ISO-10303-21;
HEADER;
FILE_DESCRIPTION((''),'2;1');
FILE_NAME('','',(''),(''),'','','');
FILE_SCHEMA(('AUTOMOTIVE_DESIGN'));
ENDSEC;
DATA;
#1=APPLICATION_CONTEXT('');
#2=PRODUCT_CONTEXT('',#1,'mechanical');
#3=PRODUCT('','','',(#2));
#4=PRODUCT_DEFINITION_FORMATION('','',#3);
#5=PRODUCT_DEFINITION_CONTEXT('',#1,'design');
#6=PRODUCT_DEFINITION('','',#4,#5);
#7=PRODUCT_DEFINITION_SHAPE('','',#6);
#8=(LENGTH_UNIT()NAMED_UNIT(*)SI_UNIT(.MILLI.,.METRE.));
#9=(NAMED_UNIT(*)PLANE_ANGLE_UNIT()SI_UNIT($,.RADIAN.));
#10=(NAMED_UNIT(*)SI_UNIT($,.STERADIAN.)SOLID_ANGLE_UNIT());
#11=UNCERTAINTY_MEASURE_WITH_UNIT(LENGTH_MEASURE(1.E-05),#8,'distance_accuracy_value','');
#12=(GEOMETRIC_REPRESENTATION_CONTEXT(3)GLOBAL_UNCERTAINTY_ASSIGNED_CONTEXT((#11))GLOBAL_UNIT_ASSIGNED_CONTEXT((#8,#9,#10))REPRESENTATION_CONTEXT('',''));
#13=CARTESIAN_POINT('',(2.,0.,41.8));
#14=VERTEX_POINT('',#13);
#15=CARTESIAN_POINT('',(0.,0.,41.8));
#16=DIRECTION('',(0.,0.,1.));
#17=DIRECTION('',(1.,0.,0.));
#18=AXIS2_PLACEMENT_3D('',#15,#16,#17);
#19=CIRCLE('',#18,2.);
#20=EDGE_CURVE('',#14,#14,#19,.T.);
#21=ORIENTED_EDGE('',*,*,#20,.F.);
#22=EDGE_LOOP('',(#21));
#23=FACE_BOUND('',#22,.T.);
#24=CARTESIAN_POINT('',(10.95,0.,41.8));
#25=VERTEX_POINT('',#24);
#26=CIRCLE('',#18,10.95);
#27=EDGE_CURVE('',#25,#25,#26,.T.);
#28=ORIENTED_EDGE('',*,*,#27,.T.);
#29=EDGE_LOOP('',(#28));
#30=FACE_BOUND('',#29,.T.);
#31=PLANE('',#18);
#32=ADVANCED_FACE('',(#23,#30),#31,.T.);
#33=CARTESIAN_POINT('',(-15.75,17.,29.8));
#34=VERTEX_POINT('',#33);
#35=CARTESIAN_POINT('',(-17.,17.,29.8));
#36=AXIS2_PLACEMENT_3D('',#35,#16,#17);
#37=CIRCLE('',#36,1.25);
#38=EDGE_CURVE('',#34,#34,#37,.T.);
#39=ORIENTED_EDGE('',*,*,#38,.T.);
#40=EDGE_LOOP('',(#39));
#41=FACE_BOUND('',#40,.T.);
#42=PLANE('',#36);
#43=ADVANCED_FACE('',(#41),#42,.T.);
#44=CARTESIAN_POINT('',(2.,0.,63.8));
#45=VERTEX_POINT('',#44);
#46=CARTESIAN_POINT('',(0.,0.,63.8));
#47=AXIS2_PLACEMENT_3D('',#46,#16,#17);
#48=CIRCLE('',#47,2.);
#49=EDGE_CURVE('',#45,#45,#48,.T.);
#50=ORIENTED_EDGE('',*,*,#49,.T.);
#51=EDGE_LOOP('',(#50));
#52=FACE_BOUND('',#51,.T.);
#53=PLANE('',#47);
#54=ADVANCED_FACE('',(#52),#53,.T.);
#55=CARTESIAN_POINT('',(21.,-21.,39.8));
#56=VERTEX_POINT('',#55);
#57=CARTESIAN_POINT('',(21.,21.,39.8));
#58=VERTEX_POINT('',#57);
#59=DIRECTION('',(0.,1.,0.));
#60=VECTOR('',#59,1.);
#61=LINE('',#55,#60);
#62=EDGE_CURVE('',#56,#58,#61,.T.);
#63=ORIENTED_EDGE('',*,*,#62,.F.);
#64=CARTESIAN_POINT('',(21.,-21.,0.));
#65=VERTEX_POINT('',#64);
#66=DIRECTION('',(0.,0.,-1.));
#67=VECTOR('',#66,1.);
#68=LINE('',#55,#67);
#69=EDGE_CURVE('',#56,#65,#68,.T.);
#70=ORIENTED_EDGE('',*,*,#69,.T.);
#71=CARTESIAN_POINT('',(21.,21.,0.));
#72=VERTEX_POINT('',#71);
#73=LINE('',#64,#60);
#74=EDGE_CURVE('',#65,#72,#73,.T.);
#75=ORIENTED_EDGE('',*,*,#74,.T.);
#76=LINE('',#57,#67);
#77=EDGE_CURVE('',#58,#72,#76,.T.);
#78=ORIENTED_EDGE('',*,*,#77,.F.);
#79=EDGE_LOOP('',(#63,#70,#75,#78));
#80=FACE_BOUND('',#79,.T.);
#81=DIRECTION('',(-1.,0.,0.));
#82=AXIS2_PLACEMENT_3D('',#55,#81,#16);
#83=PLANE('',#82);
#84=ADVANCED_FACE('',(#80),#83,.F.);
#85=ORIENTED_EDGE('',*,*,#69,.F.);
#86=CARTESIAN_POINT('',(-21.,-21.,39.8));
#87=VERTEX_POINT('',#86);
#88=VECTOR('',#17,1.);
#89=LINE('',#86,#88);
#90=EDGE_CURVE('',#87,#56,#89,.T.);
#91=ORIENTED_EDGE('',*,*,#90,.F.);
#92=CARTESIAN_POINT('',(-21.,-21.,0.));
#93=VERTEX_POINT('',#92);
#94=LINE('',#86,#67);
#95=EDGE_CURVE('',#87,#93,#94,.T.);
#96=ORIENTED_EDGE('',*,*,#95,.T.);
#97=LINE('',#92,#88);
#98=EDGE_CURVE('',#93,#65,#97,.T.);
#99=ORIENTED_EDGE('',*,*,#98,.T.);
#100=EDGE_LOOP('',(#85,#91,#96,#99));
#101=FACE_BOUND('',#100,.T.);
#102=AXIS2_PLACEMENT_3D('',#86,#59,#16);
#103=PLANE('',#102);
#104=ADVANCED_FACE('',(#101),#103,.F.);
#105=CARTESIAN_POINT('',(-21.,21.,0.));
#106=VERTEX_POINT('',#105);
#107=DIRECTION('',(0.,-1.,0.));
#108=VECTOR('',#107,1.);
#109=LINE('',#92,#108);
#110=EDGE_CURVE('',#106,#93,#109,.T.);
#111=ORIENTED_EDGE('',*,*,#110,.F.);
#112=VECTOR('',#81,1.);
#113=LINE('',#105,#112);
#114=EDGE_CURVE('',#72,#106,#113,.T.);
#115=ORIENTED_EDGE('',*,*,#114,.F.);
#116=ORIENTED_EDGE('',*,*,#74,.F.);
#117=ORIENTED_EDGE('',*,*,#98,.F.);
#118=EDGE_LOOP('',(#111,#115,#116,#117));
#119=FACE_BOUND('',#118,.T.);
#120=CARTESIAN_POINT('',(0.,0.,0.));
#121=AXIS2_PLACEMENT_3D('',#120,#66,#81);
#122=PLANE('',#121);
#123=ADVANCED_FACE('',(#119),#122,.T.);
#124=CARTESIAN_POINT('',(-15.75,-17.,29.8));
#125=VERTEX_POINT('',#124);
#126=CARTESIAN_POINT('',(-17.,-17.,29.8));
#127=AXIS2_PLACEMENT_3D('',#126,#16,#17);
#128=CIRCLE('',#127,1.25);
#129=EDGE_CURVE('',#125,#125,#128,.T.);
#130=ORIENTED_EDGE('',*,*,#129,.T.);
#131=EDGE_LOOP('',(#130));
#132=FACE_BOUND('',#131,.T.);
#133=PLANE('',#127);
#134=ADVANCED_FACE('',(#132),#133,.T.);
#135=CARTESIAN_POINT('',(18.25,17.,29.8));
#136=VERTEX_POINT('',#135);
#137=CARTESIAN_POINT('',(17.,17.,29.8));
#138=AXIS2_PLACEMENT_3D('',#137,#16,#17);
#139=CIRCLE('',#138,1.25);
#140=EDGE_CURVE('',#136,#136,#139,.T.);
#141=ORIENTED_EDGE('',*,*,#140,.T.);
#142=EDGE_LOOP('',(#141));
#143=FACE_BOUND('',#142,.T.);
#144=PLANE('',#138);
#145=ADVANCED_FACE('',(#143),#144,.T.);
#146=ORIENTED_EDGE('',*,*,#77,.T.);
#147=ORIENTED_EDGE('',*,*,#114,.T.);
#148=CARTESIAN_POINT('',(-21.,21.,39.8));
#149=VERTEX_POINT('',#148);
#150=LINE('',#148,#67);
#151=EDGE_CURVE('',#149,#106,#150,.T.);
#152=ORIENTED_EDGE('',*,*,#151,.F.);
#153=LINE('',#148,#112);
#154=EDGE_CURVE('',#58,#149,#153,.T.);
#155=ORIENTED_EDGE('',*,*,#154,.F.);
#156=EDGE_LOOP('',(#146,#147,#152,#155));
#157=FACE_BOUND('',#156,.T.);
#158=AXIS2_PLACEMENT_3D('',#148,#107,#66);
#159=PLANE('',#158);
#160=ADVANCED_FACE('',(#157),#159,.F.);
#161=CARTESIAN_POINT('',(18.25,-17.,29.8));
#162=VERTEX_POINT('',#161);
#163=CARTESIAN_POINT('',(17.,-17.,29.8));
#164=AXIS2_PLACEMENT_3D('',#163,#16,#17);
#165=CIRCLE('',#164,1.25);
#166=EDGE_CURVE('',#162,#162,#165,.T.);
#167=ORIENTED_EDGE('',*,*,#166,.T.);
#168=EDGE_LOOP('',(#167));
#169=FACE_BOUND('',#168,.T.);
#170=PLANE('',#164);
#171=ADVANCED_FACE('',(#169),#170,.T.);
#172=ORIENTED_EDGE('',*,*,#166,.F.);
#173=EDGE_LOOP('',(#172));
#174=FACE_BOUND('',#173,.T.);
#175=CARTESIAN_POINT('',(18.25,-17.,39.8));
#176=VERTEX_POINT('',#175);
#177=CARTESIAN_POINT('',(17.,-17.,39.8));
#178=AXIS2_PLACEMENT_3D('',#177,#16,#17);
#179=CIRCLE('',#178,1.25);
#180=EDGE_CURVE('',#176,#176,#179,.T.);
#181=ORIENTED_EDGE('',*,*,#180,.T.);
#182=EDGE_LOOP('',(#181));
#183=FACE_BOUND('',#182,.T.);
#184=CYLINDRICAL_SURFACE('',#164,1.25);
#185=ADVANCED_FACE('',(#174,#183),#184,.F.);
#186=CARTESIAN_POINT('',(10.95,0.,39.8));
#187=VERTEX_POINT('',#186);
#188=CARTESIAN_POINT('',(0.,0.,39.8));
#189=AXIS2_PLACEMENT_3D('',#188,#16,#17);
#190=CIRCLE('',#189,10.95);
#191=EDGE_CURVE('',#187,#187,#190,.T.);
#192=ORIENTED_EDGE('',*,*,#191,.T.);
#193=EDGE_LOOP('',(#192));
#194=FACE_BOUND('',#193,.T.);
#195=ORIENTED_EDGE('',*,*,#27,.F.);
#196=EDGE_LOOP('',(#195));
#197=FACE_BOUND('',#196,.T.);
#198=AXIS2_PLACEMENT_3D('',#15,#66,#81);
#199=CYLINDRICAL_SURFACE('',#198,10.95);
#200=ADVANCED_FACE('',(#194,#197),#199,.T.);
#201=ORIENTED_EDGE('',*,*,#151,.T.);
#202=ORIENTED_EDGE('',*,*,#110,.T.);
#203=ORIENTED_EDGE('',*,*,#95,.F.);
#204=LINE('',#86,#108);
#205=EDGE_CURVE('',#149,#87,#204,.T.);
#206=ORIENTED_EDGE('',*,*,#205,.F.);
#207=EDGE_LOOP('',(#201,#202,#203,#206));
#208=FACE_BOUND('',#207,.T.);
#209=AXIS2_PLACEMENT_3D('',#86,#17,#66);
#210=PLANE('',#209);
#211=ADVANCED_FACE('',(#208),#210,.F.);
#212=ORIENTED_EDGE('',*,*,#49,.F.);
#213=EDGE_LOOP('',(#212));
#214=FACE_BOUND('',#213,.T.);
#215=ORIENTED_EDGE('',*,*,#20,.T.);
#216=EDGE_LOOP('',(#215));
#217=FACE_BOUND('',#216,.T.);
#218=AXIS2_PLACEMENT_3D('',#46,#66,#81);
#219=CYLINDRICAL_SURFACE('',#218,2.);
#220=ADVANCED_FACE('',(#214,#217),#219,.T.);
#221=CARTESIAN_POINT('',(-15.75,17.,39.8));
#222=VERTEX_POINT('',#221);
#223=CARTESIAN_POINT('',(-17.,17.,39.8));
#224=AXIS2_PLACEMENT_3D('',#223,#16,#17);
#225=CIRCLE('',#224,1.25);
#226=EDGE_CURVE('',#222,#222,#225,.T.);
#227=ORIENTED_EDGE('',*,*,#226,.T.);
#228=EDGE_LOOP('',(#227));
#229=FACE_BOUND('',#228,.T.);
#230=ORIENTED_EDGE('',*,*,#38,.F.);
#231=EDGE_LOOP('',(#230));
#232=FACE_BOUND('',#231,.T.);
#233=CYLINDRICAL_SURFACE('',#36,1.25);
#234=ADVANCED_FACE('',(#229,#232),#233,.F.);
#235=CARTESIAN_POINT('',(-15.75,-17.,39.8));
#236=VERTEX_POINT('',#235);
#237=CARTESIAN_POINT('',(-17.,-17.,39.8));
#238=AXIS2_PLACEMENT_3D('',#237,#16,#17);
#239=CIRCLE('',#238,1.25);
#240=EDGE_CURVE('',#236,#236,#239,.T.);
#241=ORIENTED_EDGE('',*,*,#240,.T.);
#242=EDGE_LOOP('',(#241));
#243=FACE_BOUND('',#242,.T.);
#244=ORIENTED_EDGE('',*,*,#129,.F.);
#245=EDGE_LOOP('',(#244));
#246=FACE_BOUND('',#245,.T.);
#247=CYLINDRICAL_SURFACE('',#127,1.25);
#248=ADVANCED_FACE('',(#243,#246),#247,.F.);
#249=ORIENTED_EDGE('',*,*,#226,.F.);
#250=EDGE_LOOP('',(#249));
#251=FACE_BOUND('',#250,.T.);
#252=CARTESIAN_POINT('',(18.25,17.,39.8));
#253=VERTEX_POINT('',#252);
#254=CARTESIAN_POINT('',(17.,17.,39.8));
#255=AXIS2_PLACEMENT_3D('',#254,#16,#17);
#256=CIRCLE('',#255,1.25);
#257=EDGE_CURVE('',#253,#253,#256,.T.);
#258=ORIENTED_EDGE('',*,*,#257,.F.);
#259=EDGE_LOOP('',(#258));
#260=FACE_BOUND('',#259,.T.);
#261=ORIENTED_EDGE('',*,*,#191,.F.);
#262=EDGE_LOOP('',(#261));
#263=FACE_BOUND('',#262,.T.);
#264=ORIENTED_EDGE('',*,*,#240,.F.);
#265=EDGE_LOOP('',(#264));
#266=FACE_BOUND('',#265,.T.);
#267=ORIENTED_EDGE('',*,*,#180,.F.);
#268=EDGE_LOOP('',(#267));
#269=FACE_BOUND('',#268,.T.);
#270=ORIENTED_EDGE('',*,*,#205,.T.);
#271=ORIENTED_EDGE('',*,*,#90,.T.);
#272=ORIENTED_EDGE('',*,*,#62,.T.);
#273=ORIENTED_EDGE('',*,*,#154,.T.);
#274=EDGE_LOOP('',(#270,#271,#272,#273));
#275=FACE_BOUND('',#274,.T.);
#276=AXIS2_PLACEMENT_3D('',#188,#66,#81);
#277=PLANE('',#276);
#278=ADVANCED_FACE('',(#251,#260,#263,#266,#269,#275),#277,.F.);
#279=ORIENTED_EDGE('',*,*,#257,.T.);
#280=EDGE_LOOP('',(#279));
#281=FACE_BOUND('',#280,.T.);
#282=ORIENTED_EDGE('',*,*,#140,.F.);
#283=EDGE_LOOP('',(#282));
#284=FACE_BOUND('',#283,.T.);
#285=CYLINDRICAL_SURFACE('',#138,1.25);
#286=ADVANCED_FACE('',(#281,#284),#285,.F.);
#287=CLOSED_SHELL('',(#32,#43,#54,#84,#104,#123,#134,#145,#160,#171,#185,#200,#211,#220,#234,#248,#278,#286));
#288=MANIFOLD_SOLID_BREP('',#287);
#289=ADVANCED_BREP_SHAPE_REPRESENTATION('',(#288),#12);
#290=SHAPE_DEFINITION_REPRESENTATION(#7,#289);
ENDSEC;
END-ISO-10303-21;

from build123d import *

# Parameters (mm, degrees)
SKETCH1_W           = 42
SKETCH1_H           = 42
BOSS_EXTRUDE1_DEPTH = 39.8
SKETCH2_R           = 10.95
BOSS_EXTRUDE2_DEPTH = 2
SKETCH3_R           = 1.25
CUT_EXTRUDE1_DEPTH  = 10
SKETCH4_R           = 2
BOSS_EXTRUDE3_DEPTH = 22


with BuildPart() as part:
    # Sketch1 → Boss-Extrude1 (new body)
    with BuildSketch(Plane.XY):
        Rectangle(SKETCH1_W, SKETCH1_H)
    extrude(amount=BOSS_EXTRUDE1_DEPTH)

    # Sketch2 → Boss-Extrude2 (add)
    with BuildSketch(Plane.XY.offset(39.8)):
        Circle(SKETCH2_R)
    extrude(amount=BOSS_EXTRUDE2_DEPTH)

    # Sketch3 → Cut-Extrude1 (cut)
    with BuildSketch(Plane.XY.offset(39.8)):
        with Locations((-17, 17)):
            Circle(SKETCH3_R)
        with Locations((17, 17)):
            Circle(SKETCH3_R)
        with Locations((17, -17)):
            Circle(SKETCH3_R)
        with Locations((-17, -17)):
            Circle(SKETCH3_R)
    extrude(amount=-CUT_EXTRUDE1_DEPTH, mode=Mode.SUBTRACT)

    # Sketch4 → Boss-Extrude3 (add)
    with BuildSketch(Plane.XY.offset(41.8)):
        Circle(SKETCH4_R)
    extrude(amount=BOSS_EXTRUDE3_DEPTH)


solid = part.part
